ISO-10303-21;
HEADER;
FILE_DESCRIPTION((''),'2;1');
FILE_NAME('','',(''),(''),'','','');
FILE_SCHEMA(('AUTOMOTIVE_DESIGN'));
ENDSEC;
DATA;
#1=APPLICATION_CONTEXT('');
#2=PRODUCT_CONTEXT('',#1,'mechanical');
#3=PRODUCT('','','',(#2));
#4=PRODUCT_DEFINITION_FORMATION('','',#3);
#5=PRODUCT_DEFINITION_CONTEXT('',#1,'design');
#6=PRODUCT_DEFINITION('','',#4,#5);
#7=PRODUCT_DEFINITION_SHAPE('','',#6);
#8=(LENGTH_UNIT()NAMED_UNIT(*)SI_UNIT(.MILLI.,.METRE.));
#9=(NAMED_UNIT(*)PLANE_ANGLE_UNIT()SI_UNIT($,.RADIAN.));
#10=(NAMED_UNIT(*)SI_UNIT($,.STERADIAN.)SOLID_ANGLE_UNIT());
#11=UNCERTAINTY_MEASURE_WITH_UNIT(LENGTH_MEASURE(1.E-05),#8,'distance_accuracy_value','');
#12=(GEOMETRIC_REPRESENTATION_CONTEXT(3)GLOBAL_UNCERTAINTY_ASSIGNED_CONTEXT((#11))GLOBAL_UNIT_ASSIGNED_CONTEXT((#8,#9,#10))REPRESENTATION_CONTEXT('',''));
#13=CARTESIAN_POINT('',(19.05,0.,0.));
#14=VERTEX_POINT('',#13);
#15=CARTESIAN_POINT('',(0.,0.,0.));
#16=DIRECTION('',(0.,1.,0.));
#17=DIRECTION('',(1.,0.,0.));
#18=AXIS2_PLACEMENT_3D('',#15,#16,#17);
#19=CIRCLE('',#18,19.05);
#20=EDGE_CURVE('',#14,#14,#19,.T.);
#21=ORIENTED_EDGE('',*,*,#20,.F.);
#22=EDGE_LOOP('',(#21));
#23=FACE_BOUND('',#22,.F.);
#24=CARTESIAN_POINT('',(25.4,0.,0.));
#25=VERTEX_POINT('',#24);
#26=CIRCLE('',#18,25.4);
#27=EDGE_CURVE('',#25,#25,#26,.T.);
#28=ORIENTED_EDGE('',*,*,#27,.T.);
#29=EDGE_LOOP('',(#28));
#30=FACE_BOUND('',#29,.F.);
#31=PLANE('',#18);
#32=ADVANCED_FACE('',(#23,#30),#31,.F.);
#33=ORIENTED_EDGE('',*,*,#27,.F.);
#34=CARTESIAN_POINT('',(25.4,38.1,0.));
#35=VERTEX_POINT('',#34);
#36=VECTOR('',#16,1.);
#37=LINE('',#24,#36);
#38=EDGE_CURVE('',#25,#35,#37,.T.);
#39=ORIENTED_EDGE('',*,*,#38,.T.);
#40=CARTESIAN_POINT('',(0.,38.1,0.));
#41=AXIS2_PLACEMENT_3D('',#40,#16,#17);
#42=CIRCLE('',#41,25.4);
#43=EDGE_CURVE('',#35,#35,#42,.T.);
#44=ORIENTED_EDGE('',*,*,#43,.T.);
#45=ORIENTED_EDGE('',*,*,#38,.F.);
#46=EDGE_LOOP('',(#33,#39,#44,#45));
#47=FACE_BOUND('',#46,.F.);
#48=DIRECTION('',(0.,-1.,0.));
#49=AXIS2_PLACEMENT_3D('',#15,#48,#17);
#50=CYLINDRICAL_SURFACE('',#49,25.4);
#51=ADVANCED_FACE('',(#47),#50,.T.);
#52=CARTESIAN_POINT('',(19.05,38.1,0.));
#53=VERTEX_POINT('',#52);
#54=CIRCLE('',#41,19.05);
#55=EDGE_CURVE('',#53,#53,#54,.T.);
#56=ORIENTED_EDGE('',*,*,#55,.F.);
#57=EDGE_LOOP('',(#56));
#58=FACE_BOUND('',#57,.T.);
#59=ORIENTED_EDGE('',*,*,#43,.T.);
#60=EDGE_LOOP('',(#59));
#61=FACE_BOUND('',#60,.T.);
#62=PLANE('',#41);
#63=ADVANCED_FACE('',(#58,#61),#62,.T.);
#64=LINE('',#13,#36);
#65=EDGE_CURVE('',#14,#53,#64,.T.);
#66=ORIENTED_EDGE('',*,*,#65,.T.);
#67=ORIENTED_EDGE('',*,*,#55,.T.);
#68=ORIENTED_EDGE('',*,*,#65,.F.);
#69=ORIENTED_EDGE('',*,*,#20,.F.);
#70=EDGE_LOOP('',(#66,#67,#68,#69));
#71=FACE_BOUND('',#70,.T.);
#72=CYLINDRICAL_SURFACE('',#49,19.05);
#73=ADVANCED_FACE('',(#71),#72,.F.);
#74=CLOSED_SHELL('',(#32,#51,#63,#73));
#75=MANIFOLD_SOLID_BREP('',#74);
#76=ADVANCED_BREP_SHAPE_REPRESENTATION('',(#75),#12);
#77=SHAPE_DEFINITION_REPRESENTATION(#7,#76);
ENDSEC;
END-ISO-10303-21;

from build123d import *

# Parameters (mm, degrees)
SKETCH1_R           = 25.4
SKETCH1_R_2         = 19.05
BOSS_EXTRUDE1_DEPTH = 38.1


with BuildPart() as part:
    # Sketch1 → Boss-Extrude1 (new body)
    with BuildSketch(Plane(origin=(0, 0, 0), x_dir=(1, 0, 0), z_dir=(0, 1, 0))):
        Circle(SKETCH1_R)
        Circle(SKETCH1_R_2, mode=Mode.SUBTRACT)
    extrude(amount=BOSS_EXTRUDE1_DEPTH)


solid = part.part
